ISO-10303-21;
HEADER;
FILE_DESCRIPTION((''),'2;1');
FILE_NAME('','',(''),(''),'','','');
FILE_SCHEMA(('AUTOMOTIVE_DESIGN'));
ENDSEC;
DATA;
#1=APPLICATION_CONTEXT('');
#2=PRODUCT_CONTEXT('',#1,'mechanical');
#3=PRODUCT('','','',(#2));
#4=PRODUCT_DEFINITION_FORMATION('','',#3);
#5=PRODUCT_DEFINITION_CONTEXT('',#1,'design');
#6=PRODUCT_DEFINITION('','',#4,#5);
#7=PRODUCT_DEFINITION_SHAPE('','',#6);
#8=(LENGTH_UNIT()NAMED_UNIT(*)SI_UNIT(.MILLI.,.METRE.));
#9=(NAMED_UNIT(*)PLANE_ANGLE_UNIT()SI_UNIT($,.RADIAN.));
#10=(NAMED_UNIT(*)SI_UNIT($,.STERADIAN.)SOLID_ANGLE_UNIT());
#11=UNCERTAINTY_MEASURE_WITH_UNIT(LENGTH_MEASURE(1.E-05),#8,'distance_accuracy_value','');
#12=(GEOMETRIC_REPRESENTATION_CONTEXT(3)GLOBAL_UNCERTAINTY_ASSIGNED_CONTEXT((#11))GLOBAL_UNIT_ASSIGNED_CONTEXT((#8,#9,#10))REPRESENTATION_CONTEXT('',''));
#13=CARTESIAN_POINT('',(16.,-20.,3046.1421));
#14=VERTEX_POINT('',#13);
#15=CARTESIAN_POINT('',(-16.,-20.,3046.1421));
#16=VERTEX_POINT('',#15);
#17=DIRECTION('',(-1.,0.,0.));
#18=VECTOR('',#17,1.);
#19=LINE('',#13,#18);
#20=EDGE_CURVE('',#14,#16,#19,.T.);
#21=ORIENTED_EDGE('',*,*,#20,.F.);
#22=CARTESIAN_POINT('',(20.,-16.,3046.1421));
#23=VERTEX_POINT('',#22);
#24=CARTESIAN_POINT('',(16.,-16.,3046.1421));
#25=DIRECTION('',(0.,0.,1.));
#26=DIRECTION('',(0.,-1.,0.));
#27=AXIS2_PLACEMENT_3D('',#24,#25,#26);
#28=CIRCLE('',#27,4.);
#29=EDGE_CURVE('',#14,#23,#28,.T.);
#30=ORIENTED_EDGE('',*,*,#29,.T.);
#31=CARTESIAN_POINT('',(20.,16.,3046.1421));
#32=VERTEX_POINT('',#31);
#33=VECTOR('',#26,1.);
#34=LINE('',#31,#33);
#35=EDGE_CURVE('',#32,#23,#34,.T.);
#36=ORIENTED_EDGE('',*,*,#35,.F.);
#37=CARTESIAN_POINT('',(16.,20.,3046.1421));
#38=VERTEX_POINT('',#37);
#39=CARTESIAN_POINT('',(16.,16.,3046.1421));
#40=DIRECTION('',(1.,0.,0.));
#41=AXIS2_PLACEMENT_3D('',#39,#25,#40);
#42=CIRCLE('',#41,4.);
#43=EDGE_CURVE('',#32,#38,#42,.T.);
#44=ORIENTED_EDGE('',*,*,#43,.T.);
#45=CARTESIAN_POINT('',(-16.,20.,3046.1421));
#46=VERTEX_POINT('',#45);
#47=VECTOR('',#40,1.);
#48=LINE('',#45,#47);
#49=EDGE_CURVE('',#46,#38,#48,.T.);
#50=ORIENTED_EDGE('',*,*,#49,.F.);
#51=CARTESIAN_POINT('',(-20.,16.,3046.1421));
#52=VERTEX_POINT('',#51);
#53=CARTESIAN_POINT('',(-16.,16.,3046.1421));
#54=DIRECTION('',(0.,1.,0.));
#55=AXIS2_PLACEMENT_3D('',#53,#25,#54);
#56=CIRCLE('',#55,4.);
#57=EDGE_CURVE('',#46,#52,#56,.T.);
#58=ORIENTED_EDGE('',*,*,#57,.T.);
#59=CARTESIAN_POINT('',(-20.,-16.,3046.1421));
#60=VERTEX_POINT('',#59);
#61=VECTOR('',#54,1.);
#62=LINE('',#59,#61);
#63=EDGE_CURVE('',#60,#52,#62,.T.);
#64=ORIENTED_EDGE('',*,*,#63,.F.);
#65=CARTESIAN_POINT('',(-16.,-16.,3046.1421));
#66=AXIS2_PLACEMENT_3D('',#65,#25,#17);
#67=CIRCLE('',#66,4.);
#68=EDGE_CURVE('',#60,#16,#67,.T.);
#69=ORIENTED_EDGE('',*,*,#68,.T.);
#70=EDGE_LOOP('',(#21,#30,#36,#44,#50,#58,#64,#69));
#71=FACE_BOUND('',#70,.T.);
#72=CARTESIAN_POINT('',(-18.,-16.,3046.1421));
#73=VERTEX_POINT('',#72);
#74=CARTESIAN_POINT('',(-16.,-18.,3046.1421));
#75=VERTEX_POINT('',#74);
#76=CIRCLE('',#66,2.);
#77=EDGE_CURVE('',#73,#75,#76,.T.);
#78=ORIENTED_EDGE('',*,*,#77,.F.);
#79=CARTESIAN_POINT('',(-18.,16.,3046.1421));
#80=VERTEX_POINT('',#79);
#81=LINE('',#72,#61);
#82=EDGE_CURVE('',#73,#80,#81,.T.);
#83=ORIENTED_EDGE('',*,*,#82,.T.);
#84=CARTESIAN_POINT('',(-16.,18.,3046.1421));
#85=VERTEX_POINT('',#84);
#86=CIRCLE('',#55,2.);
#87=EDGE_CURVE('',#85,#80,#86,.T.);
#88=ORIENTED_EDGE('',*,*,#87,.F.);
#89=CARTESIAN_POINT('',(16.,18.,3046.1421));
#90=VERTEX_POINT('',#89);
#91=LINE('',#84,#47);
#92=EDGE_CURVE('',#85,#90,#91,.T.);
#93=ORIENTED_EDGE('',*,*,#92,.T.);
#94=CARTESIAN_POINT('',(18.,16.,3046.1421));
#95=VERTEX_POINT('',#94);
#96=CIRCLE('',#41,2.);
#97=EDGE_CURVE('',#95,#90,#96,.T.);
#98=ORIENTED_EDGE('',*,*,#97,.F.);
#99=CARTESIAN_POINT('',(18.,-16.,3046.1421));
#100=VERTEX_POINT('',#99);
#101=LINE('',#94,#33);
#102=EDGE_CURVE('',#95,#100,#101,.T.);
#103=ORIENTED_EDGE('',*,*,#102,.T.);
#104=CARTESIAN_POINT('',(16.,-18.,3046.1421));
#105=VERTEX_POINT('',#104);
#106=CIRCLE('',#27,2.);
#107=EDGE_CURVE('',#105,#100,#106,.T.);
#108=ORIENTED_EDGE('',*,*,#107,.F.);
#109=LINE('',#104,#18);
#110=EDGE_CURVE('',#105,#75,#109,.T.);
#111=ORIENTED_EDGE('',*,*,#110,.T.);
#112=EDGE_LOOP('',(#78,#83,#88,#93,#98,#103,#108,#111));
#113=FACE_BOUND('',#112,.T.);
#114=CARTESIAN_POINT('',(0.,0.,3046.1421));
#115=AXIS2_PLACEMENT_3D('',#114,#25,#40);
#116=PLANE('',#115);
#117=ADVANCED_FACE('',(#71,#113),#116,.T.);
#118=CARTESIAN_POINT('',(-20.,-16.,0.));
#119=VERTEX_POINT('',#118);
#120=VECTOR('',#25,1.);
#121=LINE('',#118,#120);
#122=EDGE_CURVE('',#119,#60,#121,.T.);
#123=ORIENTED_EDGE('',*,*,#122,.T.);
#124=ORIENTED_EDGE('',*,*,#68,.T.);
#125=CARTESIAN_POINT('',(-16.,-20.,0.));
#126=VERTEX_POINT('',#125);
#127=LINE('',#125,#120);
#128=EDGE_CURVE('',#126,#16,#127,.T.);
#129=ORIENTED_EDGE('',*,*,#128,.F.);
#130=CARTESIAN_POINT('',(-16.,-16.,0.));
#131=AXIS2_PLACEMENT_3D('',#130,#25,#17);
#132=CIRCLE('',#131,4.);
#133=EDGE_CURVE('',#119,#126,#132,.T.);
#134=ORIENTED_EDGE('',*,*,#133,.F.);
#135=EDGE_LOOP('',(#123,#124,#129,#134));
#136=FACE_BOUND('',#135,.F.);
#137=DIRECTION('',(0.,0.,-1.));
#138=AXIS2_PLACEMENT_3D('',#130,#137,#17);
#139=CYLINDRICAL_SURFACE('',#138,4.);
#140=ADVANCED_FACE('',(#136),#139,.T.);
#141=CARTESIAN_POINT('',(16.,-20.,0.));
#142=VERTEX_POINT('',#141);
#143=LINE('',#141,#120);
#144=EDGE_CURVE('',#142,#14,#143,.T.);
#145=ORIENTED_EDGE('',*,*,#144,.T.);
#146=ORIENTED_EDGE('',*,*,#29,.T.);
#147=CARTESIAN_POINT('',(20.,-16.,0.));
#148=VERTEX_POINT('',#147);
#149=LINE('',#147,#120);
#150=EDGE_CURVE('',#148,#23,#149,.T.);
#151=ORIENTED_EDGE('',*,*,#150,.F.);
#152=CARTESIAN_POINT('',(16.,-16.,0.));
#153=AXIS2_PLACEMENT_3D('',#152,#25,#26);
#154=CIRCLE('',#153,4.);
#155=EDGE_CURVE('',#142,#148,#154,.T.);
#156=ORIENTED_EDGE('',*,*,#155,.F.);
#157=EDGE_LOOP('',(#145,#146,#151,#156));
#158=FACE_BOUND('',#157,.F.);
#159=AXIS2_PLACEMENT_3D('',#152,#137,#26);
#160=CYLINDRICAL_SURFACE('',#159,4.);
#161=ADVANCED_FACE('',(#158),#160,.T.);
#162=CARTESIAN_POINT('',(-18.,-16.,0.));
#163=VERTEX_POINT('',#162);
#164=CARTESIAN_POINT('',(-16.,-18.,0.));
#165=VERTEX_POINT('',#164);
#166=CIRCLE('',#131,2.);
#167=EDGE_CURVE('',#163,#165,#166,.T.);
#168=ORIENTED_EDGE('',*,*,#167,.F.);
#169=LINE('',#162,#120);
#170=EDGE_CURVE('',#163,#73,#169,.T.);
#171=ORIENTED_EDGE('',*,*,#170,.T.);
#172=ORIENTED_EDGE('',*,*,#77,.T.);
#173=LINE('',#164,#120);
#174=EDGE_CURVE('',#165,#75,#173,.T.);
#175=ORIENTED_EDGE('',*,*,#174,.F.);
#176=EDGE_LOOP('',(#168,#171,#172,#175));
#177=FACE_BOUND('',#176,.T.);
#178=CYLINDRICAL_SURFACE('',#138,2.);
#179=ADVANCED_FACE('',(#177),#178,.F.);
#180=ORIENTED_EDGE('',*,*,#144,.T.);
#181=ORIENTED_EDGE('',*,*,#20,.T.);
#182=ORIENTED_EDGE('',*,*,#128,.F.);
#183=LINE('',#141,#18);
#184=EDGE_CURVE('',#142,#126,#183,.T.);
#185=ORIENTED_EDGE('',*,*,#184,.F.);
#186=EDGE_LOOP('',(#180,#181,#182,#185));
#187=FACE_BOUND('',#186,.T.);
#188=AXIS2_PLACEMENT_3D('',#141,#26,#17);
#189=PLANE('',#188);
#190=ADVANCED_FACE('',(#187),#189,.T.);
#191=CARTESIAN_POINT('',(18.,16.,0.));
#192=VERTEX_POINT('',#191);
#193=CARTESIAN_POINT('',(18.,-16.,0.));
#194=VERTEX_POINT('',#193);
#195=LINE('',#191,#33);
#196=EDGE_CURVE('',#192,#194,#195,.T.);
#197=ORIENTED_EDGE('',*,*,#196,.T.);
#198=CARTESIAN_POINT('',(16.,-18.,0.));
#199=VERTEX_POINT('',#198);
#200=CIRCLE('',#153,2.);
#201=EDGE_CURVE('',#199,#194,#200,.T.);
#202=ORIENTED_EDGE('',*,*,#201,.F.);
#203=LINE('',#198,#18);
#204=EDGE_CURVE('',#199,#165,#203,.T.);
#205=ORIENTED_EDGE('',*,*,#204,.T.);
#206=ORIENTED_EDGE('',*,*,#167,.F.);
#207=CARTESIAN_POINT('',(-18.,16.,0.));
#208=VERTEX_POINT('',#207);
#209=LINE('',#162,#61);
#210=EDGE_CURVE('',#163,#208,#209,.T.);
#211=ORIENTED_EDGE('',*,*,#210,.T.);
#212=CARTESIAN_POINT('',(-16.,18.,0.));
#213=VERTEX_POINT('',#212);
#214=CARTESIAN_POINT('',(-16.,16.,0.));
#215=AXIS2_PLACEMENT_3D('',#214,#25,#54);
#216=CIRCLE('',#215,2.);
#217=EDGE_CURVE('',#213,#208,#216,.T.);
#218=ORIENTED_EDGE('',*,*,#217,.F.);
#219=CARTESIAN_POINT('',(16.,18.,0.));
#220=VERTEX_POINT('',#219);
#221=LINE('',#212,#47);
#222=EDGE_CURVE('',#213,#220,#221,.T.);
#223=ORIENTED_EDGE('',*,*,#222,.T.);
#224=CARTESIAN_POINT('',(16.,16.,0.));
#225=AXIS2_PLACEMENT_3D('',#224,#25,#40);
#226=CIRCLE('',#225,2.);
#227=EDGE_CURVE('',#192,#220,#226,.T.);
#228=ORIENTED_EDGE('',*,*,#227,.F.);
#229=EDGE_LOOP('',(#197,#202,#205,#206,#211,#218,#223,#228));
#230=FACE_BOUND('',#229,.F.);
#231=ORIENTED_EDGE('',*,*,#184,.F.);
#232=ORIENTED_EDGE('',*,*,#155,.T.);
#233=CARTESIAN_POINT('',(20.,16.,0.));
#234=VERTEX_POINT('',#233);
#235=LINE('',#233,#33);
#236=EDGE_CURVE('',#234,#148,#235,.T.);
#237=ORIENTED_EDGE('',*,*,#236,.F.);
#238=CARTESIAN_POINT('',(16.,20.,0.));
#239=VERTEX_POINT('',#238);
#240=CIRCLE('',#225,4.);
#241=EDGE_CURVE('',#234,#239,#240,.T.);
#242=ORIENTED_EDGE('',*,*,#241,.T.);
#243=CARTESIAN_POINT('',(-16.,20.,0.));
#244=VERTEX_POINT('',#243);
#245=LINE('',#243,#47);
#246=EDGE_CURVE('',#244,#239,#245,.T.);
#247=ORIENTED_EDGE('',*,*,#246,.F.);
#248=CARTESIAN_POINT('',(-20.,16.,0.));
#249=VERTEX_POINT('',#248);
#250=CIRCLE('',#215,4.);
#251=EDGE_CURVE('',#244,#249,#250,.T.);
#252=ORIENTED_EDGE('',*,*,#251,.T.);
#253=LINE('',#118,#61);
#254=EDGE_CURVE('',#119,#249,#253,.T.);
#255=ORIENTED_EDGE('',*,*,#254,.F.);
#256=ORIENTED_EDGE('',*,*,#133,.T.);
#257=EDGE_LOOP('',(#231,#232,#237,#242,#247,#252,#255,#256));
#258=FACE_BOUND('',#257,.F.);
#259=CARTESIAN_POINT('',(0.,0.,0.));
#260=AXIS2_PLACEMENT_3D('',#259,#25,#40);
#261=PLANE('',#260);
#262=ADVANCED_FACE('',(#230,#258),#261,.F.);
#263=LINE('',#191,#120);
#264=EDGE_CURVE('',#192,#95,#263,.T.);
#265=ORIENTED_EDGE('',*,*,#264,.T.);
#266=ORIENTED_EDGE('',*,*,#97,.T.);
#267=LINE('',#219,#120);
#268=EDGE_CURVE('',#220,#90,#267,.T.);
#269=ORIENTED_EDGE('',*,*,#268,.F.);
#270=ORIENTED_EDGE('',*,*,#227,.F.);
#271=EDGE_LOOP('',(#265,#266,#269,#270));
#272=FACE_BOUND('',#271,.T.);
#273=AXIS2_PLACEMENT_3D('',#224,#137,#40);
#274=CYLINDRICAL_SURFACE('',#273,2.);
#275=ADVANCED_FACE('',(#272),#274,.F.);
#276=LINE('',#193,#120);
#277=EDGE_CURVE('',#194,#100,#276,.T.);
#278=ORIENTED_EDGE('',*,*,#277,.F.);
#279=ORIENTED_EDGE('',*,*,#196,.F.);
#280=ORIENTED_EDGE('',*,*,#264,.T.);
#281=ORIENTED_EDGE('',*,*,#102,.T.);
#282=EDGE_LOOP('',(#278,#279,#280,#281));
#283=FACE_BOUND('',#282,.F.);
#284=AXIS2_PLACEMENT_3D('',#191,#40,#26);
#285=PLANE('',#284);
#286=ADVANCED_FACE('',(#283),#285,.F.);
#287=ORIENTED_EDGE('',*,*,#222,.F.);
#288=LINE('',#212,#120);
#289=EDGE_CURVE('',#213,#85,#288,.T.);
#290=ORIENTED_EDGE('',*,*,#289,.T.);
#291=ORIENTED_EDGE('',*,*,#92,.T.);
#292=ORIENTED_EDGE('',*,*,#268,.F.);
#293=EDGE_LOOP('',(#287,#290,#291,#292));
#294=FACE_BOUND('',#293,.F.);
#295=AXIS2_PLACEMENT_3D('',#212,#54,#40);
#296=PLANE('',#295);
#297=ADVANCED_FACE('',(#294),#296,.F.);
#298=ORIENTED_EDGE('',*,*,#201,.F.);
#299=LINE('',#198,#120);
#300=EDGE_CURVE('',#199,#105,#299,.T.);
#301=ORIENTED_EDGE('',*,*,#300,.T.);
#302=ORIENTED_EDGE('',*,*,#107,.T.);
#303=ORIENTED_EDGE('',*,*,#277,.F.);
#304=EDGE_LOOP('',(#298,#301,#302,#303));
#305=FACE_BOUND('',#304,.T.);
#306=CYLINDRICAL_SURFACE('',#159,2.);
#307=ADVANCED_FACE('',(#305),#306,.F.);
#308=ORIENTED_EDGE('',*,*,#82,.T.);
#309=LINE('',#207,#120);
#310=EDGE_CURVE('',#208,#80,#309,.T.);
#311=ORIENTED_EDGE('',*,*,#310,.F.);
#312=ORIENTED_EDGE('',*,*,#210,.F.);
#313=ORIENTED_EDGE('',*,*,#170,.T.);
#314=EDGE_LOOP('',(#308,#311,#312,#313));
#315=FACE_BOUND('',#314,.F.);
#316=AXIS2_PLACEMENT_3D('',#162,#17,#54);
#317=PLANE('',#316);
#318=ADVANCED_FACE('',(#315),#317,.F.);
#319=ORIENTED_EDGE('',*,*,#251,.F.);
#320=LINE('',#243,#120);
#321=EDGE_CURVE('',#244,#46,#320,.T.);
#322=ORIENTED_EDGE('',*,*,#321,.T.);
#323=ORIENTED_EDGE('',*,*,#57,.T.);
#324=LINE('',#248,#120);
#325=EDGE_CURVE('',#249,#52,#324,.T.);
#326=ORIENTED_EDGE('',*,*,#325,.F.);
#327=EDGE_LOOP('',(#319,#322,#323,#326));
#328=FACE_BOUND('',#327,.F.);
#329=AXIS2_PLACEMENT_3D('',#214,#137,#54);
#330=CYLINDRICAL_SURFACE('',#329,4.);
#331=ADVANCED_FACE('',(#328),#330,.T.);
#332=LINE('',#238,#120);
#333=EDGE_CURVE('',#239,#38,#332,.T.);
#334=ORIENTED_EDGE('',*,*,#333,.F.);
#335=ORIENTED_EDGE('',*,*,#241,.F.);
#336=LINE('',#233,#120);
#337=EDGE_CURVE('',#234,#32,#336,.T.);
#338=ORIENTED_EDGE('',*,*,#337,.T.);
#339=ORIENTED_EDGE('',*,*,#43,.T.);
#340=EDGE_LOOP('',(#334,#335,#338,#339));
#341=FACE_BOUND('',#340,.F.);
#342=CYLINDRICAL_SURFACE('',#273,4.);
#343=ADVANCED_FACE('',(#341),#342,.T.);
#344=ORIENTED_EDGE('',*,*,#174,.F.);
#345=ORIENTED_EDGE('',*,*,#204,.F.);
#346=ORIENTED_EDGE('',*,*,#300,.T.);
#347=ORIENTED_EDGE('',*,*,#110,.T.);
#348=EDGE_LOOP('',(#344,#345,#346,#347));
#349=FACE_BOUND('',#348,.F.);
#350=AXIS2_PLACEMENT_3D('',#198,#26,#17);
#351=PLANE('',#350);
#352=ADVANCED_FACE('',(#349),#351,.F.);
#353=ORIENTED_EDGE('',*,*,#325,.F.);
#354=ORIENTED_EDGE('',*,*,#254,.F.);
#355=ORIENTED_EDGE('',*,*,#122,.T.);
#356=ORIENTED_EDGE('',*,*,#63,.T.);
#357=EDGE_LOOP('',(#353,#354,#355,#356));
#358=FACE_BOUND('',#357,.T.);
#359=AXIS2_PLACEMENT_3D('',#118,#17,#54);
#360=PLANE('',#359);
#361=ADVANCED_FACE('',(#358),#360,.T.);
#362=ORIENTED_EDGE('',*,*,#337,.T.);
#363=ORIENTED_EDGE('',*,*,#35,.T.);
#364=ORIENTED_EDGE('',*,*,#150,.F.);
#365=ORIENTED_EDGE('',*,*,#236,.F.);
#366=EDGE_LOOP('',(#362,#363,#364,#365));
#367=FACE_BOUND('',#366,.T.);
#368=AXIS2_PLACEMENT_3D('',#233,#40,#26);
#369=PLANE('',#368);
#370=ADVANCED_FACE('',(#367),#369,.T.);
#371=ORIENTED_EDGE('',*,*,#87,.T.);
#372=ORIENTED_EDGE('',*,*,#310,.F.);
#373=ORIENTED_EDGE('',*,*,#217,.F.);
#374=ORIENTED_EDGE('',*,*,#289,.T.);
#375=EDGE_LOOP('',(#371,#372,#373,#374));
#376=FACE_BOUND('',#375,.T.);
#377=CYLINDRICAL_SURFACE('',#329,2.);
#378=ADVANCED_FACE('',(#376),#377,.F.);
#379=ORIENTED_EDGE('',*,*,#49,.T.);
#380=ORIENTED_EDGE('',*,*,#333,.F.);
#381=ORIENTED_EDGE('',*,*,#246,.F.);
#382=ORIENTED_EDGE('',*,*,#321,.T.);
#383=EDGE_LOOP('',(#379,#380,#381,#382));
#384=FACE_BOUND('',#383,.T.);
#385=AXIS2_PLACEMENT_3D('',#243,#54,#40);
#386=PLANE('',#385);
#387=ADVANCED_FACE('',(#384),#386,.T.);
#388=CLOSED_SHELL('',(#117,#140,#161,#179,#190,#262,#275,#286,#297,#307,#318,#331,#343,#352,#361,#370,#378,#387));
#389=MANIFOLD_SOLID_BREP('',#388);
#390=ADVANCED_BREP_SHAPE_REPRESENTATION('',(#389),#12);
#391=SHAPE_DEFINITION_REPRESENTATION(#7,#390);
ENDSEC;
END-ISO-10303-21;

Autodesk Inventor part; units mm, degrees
ref_plane "YZ Plane" through (0, 0, 0) normal (1, 0, 0) x (0, 1, 0)
ref_plane "Start plane" through (0, 0, 0) normal (0, 0, 1) x (1, 0, 0)
ref_plane "End plane" through (0, 0, 3046.1421) normal (0, 0, 1) x (1, 0, 0)
sketch "Sketch" plane through (0, 0, 0) normal (0, 0, 1) x (1, 0, 0)
  line L0 (-20, -16) -> (-20, 16)
  line L1 (-16, 20) -> (16, 20)
  line L2 (20, 16) -> (20, -16)
  line L3 (16, -20) -> (-16, -20)
  arc A0 (-20, -16) -> (-16, -20) centre (-16, -16) ccw
  arc A1 (20, 16) -> (16, 20) centre (16, 16) ccw
  arc A2 (-16, 20) -> (-20, 16) centre (-16, 16) ccw
  arc A3 (16, -20) -> (20, -16) centre (16, -16) ccw
  arc A4 (-16, 18) -> (-18, 16) centre (-16, 16) ccw
  line L4 (-16, 18) -> (16, 18)
  arc A5 (18, 16) -> (16, 18) centre (16, 16) ccw
  line L5 (18, 16) -> (18, -16)
  arc A6 (16, -18) -> (18, -16) centre (16, -16) ccw
  line L6 (16, -18) -> (-16, -18)
  arc A7 (-18, -16) -> (-16, -18) centre (-16, -16) ccw
  line L7 (-18, -16) -> (-18, 16)
  line L8 (0, 36.7397) -> (0, -36.7397) construction
  line L9 (-36.7397, 0) -> (36.7397, 0) construction
  dimension "d7" = 4
  dimension "d9" = 40
  dimension "d11" = 40
  dimension "d12" = 2
  dimension "d15" = 20
  dimension "d16" = 20
extrude "Body" add sketch "Sketch" along normal up to surface (3046.1421 mm away) from surface at 0
sketch "Sketch3" plane through (0, 0, 0) normal (0, 0, 1) x (1, 0, 0)
  line L0 (0, 0) -> (10, 0)
ref_plane "Work Plane3" through (0, 0, 0) normal (0, -1, 0) x (1, 0, 0)
sketch "Sketch4" plane through (0, 0, 0) normal (0, -1, 0) x (1, 0, 0)
  line L0 (-2, 0) -> (12, 0) projected
  line L1 (-2, 3046.1421) -> (12, 3046.1421) projected
  dimension "d18" = 3046.142
equation "\"d7\" = G_IR"
equation "\"d9\" = G_W"
equation "\"d11\" = G_H"
equation "\"d12\" = G_T"
equation "\"d15\" = 0.5 * d9"
equation "\"d16\" = 0.5 * d11"
equation "\"d3\" = G_L"
equation "\"G_W\" = 40"
equation "\"G_H\" = 40"
equation "\"G_T\" = 2"
equation "\"G_IR\" = 4"
equation "\"G_L\" = d18"
equation "\"G_OFFSET_START\" = 0"
equation "\"G_OFFSET_END\" = 0"
equation "\"d14\" = G_OFFSET_END + B_L"
equation "\"B_L\" = 3046.14205"
properties part number "ISO 10799-2 - 40x40x2 - 3046,14" material "Steel, Mild"
